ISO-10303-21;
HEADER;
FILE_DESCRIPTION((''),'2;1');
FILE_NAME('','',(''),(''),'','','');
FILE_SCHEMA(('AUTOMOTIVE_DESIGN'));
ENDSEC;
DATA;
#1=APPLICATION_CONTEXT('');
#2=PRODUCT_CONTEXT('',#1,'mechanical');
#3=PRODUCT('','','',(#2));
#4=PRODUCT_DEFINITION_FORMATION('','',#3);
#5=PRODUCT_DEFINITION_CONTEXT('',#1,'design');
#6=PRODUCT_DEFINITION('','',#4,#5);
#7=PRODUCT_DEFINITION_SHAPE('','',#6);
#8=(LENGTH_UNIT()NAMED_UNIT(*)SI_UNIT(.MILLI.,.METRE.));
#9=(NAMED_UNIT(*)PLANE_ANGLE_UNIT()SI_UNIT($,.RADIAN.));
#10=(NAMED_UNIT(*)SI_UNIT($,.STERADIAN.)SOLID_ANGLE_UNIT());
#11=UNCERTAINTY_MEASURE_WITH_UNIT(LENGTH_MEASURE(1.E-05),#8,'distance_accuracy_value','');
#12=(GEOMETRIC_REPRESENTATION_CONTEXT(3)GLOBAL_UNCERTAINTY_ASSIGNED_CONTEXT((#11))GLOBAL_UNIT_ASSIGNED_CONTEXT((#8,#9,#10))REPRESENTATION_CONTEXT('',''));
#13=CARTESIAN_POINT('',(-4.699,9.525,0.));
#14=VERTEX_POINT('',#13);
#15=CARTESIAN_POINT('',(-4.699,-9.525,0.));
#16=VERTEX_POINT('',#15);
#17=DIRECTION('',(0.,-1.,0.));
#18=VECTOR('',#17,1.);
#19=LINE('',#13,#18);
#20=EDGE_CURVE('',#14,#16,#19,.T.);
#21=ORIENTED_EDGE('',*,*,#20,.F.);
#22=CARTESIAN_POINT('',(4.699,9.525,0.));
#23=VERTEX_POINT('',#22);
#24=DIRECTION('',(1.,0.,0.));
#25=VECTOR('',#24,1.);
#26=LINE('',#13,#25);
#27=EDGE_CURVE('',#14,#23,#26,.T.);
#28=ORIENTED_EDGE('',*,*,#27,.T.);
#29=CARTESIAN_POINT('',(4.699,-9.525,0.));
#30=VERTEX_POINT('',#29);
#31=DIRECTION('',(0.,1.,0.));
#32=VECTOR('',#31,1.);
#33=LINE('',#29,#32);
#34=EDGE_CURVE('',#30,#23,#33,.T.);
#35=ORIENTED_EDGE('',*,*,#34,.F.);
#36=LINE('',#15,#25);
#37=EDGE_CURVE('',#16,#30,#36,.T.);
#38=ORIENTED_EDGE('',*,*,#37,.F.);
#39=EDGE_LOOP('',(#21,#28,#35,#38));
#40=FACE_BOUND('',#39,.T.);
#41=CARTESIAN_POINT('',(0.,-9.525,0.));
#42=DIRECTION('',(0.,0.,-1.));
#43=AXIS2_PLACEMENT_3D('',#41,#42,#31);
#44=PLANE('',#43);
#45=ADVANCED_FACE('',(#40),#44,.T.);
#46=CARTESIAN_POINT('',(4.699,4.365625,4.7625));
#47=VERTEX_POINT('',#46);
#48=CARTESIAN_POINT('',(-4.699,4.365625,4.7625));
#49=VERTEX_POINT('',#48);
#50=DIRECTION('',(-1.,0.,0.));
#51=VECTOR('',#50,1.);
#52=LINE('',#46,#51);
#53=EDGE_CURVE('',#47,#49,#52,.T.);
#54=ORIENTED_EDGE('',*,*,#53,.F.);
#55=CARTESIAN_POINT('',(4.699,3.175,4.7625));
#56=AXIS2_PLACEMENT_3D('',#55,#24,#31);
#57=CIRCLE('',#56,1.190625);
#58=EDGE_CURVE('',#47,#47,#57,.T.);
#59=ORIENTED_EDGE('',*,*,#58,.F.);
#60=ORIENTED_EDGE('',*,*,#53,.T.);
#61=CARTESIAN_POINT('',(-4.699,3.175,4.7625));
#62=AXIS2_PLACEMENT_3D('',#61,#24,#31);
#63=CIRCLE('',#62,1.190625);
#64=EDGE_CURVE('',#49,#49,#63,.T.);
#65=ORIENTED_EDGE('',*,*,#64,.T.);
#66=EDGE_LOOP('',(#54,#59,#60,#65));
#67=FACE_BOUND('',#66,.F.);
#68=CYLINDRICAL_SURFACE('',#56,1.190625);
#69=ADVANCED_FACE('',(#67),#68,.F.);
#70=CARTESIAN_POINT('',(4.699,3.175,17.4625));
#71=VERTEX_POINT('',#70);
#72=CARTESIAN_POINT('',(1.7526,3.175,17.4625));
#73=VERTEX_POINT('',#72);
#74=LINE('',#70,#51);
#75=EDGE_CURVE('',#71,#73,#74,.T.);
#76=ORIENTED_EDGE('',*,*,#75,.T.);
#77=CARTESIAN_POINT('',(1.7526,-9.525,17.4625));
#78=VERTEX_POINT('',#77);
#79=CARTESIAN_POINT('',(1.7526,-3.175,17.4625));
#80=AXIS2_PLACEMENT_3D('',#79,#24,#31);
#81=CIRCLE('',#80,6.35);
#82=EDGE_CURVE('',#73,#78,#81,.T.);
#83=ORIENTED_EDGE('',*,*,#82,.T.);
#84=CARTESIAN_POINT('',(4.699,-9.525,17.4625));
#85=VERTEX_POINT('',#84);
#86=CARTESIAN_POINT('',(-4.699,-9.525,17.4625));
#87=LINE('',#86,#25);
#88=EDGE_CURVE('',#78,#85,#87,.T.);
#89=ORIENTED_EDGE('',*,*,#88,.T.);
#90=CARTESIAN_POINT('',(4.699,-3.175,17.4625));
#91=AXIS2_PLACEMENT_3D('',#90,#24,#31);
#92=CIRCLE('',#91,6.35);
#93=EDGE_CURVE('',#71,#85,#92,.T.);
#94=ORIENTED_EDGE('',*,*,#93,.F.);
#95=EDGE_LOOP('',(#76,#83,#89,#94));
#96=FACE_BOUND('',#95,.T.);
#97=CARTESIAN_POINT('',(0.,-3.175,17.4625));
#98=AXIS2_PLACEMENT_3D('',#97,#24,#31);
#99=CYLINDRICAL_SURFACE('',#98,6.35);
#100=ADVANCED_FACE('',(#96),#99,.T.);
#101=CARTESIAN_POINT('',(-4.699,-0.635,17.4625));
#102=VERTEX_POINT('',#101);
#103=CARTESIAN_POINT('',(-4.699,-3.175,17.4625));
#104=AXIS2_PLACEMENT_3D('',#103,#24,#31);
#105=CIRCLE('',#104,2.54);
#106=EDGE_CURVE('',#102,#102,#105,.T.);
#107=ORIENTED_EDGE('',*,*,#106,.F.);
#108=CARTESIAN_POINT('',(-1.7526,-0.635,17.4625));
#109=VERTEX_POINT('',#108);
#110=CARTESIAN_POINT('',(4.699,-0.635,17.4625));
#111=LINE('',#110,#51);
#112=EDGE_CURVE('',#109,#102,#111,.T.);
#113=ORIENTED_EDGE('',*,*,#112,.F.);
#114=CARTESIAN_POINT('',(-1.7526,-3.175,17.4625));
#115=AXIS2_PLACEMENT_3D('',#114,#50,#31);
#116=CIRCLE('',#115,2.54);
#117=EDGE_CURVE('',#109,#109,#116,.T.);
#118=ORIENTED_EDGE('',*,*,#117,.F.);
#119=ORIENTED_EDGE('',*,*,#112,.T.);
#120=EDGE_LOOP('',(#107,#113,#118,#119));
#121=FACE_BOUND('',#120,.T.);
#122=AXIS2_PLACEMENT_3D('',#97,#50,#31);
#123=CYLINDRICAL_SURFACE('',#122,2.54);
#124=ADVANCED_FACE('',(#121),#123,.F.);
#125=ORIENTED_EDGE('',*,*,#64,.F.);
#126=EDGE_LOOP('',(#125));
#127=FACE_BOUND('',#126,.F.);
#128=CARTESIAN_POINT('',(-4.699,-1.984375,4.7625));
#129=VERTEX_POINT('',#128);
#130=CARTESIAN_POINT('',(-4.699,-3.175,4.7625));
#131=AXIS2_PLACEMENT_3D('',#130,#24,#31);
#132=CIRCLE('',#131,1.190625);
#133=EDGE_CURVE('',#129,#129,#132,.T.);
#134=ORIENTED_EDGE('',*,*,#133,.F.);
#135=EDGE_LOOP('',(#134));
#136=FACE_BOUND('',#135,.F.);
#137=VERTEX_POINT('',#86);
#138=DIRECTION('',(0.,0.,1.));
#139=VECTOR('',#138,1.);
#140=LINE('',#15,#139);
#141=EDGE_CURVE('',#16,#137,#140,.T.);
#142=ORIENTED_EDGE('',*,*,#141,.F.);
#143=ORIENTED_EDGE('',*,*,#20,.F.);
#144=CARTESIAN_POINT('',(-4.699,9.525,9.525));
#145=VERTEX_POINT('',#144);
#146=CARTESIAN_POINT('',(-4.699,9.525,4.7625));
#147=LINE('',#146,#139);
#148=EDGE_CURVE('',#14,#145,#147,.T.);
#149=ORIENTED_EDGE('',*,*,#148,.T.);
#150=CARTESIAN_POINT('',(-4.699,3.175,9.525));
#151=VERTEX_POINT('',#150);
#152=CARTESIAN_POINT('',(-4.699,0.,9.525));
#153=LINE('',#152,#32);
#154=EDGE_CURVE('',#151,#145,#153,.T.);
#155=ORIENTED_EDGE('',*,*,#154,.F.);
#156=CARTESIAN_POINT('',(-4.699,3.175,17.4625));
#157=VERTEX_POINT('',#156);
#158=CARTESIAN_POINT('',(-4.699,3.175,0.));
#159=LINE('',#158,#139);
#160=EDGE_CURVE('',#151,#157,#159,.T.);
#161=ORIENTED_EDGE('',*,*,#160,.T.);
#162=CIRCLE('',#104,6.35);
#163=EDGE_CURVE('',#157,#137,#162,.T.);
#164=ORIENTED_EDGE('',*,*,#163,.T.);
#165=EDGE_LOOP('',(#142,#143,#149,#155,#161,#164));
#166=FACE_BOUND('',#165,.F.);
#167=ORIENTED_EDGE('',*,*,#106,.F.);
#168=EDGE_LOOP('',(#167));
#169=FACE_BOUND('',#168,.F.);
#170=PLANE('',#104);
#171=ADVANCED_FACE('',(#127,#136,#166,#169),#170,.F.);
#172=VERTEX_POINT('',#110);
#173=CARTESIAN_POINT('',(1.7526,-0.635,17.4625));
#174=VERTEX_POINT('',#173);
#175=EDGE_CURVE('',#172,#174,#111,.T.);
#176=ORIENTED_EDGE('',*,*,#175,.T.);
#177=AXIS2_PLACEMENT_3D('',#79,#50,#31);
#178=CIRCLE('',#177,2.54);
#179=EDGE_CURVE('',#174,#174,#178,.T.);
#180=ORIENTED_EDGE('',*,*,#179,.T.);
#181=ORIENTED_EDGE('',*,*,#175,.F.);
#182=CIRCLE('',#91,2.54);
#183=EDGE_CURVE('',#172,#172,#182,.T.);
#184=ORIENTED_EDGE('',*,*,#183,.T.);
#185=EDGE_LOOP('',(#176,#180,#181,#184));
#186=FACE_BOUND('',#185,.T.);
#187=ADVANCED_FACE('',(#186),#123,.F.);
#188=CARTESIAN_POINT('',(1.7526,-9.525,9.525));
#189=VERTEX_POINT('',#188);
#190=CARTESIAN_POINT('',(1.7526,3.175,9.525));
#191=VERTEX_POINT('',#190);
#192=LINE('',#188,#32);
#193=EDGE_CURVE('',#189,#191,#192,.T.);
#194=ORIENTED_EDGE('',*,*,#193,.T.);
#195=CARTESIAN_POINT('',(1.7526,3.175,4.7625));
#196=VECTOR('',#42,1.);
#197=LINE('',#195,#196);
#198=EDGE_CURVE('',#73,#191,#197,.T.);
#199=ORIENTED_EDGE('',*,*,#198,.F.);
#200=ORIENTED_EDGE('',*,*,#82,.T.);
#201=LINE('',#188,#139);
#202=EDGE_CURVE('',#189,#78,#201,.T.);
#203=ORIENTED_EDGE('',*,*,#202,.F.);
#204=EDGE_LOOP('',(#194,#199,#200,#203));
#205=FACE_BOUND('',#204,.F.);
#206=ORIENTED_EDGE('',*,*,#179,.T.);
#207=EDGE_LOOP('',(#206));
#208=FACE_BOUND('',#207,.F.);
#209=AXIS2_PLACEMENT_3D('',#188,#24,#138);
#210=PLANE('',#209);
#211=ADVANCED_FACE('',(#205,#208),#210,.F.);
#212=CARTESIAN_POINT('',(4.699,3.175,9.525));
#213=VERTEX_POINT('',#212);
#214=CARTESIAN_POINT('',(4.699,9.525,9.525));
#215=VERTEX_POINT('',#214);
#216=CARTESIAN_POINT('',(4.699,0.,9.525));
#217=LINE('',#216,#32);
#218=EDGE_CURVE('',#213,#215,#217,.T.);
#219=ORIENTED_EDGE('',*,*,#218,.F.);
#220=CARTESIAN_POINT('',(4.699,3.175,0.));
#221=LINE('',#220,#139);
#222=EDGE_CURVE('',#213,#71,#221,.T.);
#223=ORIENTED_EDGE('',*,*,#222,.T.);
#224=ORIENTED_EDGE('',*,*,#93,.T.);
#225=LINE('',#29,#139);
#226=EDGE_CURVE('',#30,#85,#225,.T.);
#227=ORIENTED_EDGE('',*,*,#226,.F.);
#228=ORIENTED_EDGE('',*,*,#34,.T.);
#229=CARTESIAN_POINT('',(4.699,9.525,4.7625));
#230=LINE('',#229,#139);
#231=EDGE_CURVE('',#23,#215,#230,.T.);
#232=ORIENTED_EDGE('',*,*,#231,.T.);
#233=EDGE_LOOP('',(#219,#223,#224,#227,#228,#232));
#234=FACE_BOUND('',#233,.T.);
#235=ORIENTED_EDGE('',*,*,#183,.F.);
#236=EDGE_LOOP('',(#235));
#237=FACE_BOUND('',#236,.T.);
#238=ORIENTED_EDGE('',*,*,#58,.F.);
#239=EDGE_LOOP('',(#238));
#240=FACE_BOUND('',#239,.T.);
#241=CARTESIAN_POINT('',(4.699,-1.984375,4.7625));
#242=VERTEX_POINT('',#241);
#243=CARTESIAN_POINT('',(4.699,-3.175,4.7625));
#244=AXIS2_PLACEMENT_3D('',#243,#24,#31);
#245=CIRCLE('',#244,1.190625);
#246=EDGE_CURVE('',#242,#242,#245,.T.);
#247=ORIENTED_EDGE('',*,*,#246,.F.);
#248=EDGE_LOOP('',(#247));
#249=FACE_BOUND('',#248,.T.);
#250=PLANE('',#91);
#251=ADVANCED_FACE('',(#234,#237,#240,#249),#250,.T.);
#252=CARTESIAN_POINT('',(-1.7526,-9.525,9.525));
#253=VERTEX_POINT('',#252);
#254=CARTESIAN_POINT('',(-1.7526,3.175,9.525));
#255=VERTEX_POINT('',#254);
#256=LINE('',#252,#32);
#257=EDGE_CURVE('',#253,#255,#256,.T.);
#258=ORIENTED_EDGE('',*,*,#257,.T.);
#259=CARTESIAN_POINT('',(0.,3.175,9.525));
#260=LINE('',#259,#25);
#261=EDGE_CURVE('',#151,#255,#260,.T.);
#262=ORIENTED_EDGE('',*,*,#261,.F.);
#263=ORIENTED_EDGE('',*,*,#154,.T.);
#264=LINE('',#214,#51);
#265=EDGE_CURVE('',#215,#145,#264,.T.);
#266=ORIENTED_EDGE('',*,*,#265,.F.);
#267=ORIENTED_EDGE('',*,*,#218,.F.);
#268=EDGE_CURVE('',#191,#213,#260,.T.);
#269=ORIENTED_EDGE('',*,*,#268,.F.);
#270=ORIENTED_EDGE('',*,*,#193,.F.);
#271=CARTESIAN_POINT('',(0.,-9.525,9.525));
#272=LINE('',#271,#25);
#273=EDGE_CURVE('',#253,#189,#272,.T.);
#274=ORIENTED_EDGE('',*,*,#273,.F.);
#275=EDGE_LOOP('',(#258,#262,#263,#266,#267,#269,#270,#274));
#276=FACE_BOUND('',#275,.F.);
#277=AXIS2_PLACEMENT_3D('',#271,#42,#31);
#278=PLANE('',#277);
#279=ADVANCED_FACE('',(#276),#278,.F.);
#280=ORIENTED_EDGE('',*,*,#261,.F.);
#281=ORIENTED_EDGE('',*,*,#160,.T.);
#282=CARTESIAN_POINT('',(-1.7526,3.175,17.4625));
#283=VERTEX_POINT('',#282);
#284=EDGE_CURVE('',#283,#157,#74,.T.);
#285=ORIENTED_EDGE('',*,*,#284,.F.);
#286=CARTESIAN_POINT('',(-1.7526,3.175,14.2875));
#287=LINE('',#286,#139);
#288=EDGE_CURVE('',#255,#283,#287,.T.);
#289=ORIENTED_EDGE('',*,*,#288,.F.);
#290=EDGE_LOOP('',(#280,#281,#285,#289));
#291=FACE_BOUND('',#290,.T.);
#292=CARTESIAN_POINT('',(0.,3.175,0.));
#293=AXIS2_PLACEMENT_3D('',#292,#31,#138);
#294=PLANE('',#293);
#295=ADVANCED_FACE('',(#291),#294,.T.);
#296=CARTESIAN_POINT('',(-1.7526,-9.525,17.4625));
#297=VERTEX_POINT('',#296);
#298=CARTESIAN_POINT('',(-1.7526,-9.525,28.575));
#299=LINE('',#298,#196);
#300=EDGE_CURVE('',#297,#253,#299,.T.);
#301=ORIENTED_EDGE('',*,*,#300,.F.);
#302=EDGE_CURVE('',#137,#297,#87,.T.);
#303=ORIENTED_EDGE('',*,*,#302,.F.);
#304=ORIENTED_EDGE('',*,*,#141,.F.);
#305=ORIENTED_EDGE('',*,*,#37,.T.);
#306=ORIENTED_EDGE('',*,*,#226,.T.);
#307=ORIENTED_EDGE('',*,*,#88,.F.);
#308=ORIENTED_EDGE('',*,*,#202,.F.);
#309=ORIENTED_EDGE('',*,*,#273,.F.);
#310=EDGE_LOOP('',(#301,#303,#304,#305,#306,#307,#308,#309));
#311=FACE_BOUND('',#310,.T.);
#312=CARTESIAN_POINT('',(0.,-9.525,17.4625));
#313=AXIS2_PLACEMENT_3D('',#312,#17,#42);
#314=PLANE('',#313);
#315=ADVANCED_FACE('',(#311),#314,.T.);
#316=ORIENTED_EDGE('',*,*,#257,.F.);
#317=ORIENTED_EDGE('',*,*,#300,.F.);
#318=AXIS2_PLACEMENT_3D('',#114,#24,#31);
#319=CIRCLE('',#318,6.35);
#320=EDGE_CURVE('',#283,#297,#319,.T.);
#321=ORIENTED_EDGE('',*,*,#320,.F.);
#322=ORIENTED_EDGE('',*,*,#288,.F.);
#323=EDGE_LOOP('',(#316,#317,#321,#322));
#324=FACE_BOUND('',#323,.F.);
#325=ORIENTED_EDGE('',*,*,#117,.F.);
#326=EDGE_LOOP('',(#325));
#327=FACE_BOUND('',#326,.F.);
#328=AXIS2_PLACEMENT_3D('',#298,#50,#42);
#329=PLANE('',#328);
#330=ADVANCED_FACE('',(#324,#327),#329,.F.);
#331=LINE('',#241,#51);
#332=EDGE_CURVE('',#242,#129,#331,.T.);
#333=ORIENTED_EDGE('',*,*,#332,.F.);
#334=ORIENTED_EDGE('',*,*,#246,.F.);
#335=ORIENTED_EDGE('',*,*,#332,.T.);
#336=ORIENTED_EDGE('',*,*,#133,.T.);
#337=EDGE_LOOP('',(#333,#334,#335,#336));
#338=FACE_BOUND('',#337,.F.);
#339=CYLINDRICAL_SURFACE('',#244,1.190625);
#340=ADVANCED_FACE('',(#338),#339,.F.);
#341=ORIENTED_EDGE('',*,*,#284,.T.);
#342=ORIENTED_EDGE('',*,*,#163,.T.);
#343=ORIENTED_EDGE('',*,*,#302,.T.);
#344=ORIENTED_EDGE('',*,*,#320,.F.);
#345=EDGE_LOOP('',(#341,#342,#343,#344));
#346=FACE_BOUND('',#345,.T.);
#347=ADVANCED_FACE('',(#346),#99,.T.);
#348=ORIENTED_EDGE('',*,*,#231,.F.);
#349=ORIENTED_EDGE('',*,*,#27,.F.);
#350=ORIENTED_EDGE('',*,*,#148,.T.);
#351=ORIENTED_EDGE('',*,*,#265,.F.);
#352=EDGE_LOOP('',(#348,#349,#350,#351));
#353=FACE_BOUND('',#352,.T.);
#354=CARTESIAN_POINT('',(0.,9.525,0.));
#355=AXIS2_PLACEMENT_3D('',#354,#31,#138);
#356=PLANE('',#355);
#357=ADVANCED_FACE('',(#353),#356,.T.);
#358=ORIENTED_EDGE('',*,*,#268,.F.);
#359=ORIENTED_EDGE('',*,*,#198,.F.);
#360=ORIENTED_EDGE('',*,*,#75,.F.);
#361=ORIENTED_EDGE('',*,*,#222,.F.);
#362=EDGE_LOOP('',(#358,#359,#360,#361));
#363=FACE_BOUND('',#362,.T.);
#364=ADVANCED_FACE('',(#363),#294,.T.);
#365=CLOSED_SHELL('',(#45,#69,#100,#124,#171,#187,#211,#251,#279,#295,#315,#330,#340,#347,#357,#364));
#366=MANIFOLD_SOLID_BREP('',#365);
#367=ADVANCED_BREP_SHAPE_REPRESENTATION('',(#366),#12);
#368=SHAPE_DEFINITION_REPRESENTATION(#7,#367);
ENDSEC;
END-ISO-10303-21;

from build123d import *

# Parameters (mm, degrees)
F0_W     = 19.05
F0_H     = 9.525
F1_DEPTH = 4.699
F2_R     = 2.54
F3_DEPTH = 4.699
F4_R     = 1.190625
F5_DEPTH = 9.399
F6_W     = 3.5052
F6_H     = 9.525
F7_DEPTH = 19.051


with BuildPart() as f1:
    # F0 (on Right) → F1 (new body, symmetric)
    with BuildSketch(Plane.YZ):
        with Locations((0, 4.7625)):
            Rectangle(F0_W, F0_H)
    extrude(amount=F1_DEPTH, both=True)

    # F2 (on Right) → F3 (join, symmetric)
    with BuildSketch(Plane.YZ):
        with BuildLine():
            ThreePointArc((-9.525, 17.4625), (-3.175, 11.1125), (3.175, 17.4625))
            ThreePointArc((3.175, 17.4625), (-3.175, 23.8125), (-9.525, 17.4625))
        make_face()
        with Locations((-3.175, 17.4625)):
            Circle(F2_R, mode=Mode.SUBTRACT)
        with BuildLine():
            Line((3.175, 0), (3.175, 17.4625))
            ThreePointArc((3.175, 17.4625), (-3.175, 11.1125), (-9.525, 17.4625))
            Line((-9.525, 17.4625), (-9.525, 0))
            Line((-9.525, 0), (3.175, 0))
        make_face()
    extrude(amount=F3_DEPTH, both=True)

    # F4 (on face) → F5 (cut, through all)
    with BuildSketch(Plane.YZ.offset(4.699)):
        with Locations((-3.175, 4.7625)):
            Circle(F4_R)
        with Locations((3.175, 4.7625)):
            Circle(F4_R)
    extrude(amount=-F5_DEPTH, mode=Mode.SUBTRACT)

    # F6 (on face) → F7 (cut, through all)
    with BuildSketch(Plane.XZ.offset(9.525)):
        with Locations((0, 23.8125)):
            Rectangle(F6_W, F6_H)
        with Locations((0, 14.2875)):
            Rectangle(F6_W, F6_H)
    extrude(amount=-F7_DEPTH, mode=Mode.SUBTRACT)


solid = f1.part
